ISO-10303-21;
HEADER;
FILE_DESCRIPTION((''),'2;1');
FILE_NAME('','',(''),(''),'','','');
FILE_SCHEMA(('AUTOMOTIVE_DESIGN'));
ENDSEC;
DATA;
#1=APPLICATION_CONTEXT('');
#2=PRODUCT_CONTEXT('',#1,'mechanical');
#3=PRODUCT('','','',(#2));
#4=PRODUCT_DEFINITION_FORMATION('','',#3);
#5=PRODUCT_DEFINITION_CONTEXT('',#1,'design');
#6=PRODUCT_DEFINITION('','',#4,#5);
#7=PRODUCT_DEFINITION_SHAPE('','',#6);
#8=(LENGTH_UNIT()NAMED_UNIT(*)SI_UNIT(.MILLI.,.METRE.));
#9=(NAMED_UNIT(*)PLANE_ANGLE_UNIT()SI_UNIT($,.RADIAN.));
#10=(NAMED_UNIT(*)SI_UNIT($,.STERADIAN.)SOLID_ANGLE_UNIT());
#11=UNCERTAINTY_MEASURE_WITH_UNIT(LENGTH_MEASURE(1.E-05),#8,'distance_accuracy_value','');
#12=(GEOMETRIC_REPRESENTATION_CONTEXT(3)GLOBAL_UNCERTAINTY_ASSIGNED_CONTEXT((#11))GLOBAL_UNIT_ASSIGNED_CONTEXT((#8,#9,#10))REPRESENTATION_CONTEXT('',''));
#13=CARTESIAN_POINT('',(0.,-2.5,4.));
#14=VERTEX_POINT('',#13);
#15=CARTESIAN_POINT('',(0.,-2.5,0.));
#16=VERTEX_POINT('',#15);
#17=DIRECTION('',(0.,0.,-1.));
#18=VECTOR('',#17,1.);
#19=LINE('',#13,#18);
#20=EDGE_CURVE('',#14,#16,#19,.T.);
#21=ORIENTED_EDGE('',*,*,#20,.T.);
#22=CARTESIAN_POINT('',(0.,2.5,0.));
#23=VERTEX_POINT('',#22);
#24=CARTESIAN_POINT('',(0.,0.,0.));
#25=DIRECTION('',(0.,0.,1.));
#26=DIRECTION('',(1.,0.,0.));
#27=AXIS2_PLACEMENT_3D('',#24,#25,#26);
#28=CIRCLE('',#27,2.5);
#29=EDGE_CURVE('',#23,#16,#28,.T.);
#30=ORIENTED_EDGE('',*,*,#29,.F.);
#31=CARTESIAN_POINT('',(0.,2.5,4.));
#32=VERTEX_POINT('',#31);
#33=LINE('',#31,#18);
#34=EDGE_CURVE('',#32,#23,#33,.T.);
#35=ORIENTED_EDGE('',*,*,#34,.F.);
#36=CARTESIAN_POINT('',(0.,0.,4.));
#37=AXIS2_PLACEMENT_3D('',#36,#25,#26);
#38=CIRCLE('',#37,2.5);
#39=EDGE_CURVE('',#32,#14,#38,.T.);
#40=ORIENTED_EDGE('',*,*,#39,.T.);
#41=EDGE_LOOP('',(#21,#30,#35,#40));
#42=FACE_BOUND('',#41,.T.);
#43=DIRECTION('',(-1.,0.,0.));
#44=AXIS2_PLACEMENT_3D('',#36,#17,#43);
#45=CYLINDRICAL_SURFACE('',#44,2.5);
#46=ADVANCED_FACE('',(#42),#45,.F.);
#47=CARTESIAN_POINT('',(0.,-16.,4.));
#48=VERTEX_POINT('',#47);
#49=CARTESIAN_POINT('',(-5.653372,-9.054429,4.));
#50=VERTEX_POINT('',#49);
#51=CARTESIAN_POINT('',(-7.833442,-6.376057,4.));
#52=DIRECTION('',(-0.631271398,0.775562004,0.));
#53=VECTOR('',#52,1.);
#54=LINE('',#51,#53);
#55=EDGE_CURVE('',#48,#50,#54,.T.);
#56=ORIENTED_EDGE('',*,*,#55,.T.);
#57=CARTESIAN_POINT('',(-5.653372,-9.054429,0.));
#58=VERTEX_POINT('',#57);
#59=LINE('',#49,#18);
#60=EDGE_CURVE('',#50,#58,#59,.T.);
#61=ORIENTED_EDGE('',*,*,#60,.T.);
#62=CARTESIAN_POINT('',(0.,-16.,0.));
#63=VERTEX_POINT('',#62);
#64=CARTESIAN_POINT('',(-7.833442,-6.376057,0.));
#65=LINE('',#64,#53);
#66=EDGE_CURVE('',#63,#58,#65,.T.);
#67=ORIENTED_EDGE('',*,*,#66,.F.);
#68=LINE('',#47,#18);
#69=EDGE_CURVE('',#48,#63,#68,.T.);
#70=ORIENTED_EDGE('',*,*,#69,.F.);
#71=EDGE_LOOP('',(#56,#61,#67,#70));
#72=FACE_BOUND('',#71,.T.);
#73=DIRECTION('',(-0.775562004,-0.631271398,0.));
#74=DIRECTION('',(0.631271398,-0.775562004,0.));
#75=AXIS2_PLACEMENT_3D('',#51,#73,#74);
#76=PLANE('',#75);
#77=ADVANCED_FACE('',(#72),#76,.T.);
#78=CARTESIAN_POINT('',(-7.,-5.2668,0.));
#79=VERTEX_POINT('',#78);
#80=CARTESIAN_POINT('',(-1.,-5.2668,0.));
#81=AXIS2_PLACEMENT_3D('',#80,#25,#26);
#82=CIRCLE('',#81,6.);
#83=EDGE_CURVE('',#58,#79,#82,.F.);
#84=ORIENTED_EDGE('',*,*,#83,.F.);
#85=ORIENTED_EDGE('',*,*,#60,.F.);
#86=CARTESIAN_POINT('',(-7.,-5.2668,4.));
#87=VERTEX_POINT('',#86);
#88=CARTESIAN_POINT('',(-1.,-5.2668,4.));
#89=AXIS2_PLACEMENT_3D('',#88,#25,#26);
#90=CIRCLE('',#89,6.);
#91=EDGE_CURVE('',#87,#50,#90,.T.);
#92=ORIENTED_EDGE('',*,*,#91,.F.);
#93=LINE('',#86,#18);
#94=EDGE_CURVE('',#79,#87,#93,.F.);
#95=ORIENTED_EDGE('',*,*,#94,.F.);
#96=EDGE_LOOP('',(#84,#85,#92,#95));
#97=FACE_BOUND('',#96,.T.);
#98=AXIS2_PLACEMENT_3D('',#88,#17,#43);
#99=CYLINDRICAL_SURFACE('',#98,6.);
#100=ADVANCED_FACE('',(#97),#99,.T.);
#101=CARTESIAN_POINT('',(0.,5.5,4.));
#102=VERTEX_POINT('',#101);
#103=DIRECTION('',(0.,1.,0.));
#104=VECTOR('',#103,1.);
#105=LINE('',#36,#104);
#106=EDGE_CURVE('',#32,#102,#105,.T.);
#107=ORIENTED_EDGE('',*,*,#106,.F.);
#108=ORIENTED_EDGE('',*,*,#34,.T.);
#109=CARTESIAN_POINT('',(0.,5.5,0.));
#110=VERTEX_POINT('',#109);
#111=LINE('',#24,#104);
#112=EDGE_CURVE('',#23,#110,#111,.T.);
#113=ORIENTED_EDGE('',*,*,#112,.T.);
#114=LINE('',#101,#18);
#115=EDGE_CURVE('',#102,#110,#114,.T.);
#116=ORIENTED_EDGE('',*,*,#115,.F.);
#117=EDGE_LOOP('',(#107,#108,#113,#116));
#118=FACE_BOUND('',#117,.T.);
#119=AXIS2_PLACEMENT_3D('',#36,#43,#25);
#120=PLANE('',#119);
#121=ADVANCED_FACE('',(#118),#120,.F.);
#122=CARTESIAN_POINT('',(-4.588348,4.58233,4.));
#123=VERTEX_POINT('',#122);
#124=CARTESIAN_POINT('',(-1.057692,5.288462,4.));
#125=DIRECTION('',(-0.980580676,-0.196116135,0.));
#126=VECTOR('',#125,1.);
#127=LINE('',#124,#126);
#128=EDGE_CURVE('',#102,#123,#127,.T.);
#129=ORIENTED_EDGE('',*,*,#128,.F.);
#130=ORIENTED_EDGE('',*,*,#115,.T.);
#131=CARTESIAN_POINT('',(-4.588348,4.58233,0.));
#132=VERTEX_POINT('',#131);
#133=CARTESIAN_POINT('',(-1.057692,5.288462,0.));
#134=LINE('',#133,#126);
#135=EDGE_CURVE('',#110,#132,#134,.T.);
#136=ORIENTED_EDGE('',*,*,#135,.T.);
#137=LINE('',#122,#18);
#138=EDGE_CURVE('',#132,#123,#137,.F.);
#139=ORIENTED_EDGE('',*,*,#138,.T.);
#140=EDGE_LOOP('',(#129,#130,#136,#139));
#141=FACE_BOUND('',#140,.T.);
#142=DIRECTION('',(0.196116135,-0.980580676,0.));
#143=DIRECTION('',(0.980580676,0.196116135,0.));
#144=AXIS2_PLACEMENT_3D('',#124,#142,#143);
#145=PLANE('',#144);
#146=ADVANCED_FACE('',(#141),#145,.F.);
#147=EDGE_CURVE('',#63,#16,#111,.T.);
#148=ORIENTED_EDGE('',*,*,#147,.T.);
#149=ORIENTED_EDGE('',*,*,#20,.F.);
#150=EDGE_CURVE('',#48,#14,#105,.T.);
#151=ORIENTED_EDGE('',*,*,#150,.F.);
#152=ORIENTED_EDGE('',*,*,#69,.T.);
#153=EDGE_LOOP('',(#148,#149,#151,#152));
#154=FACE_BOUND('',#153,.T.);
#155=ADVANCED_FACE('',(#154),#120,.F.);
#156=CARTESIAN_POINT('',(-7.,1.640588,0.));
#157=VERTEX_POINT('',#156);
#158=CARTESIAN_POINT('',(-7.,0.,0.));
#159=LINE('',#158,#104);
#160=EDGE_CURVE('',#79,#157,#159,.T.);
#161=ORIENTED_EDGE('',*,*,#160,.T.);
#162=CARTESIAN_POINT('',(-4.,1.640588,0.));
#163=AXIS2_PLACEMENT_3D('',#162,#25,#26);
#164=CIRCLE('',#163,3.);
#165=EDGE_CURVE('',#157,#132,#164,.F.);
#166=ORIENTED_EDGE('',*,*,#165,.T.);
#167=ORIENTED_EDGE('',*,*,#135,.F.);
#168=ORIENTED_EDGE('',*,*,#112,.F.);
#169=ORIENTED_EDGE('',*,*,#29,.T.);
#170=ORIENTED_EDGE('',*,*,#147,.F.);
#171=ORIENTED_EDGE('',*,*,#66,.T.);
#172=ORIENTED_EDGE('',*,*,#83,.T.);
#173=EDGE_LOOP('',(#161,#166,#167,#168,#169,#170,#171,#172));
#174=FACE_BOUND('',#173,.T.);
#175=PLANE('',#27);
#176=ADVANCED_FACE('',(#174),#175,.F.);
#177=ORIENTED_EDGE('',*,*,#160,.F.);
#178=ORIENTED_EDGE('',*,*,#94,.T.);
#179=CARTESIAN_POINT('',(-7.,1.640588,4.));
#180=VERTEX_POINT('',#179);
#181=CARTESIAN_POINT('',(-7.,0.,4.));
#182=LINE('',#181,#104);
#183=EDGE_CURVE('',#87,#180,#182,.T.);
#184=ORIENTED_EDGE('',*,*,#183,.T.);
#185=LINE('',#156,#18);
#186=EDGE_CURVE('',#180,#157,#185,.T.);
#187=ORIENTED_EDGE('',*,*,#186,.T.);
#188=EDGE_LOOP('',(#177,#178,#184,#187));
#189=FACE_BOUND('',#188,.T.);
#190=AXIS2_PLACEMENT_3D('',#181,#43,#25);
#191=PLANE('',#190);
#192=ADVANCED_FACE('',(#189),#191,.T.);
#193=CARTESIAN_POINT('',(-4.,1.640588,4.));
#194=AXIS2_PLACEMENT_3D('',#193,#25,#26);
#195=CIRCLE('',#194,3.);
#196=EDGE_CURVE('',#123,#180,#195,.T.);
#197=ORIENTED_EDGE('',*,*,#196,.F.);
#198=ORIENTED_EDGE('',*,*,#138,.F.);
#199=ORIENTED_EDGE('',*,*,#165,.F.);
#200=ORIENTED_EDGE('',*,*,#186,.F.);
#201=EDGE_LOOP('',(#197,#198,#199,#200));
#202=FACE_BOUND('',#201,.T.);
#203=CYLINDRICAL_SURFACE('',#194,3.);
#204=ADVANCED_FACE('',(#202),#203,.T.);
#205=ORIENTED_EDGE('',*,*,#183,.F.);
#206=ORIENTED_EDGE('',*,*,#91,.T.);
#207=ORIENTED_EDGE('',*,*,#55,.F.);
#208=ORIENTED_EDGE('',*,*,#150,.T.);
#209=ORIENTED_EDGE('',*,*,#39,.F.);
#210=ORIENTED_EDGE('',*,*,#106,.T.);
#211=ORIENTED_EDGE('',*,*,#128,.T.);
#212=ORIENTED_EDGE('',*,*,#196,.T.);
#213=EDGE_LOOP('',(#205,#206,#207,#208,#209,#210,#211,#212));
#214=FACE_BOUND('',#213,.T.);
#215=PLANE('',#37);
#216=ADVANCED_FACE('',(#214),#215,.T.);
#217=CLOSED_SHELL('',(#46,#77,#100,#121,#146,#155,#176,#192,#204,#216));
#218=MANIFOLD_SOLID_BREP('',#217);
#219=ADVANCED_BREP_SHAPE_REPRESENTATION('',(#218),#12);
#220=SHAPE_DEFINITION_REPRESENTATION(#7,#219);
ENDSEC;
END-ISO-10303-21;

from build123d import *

# Parameters (mm, degrees)
EXTRUDE_1_DEPTH = 4
FILLET_1_R      = 3
FILLET_2_R      = 6


with BuildPart() as part:
    # ｽｹｯﾁ1 → ﾎﾞｽ - 押し出し1 (new body)
    with BuildSketch(Plane.XY):
        with BuildLine():
            Line((0, 2.5), (0, 5.5))
            Line((0, 5.5), (-7, 4.1))
            Line((-7, 4.1), (-7, -7.4))
            Line((-7, -7.4), (0, -16))
            Line((0, -16), (0, -2.5))
            ThreePointArc((0, -2.5), (-2.5, 0), (0, 2.5))
        make_face()
    extrude(amount=EXTRUDE_1_DEPTH)

    # ﾌｨﾚｯﾄ1
    fillet_1_edges = [part.edges().sort_by_distance(p)[0] for p in [
        (-7, 4.1, 2),
    ]]
    fillet(fillet_1_edges, radius=FILLET_1_R)

    # ﾌｨﾚｯﾄ2
    fillet_2_edges = [part.edges().sort_by_distance(p)[0] for p in [
        (-7, -7.4, 2),
    ]]
    fillet(fillet_2_edges, radius=FILLET_2_R)


solid = part.part
